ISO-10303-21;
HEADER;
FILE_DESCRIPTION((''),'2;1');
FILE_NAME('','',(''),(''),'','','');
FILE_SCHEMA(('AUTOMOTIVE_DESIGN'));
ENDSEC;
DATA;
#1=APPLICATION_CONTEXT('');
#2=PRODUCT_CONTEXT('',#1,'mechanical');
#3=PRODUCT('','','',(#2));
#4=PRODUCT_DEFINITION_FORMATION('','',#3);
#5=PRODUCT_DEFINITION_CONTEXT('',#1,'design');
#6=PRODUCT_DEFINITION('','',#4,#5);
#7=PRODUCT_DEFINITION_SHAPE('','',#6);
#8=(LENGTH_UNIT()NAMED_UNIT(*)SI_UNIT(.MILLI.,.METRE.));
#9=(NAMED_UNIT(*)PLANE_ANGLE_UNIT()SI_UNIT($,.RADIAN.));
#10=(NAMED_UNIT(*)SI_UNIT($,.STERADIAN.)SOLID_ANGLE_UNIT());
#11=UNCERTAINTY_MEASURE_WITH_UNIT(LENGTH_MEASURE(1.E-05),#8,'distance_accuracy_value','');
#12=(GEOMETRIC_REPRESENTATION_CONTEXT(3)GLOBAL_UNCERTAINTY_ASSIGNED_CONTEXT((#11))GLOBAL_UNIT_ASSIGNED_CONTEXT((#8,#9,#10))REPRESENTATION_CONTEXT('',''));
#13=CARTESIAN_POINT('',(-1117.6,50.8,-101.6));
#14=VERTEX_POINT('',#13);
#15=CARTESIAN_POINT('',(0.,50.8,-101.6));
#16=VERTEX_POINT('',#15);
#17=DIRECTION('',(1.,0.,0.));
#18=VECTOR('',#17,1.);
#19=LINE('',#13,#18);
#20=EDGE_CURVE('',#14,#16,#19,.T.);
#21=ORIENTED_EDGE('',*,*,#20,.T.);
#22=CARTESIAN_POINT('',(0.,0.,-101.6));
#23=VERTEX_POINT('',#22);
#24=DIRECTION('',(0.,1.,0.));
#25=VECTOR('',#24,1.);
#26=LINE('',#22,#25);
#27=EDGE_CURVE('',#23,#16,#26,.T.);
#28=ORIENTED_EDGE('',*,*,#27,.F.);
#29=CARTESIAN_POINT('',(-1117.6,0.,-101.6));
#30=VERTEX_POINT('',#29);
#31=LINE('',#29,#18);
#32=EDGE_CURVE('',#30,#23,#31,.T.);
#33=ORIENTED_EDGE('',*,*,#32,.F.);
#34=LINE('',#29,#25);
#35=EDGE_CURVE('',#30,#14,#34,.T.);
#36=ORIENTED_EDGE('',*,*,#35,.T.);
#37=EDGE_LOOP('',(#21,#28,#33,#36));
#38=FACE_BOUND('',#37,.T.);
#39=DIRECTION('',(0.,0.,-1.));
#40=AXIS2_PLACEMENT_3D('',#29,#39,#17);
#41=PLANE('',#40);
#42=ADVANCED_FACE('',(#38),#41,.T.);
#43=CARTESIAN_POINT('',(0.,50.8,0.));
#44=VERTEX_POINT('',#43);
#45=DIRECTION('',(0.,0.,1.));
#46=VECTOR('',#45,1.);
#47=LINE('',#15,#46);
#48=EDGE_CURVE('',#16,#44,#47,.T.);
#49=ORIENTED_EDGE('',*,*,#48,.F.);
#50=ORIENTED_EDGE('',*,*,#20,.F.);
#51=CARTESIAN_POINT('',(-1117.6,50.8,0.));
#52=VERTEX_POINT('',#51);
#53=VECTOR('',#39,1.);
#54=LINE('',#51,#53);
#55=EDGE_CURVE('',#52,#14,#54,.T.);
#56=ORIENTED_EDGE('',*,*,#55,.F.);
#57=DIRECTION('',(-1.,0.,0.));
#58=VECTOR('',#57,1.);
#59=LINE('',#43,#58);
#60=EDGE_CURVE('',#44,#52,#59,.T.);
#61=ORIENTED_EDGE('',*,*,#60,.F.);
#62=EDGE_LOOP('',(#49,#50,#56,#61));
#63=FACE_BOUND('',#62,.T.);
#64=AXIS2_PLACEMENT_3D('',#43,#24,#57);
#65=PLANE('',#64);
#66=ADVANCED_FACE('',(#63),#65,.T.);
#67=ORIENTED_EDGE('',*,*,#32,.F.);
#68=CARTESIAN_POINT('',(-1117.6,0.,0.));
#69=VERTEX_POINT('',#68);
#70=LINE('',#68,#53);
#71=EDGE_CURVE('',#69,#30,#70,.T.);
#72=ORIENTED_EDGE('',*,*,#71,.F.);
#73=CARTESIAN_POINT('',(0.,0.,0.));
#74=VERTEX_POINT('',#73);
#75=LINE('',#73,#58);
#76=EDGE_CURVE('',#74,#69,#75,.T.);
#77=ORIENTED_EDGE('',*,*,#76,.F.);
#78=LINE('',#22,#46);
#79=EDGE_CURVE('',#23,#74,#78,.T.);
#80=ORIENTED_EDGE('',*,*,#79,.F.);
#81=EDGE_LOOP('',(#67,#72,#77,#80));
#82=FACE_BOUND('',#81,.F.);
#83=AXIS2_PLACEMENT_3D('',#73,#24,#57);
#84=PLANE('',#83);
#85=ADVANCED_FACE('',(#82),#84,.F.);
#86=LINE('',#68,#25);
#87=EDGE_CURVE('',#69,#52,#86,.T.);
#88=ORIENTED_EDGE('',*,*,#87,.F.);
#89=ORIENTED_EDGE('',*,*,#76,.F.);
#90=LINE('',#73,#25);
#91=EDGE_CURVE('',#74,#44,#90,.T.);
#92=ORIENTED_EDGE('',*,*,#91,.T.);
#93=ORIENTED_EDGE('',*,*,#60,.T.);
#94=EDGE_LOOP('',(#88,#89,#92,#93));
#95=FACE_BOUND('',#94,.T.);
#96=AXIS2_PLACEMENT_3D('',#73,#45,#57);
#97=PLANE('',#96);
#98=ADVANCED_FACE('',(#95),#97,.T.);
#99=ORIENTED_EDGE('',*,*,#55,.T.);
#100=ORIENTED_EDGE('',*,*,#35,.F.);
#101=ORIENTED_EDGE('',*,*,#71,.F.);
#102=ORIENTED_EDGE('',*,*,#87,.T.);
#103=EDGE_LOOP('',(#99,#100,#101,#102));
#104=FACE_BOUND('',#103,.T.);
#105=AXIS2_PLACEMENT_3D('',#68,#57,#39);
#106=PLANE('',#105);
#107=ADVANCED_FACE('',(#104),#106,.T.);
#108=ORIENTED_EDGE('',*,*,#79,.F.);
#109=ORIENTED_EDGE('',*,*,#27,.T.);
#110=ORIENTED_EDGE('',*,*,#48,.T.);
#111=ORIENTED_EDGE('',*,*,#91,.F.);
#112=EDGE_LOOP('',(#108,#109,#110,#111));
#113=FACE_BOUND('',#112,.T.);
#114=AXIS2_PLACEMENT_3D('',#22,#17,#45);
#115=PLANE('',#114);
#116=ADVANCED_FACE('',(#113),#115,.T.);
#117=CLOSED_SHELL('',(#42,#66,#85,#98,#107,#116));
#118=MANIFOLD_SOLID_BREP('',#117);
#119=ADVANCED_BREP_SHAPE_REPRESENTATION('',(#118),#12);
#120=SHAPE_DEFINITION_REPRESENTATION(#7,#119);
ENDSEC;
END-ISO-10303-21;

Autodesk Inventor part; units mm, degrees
ref_plane "YZ Plane" through (0, 0, 0) normal (1, 0, 0) x (0, 1, 0)
ref_plane "XZ Plane" through (0, 0, 0) normal (0, 1, 0) x (-1, 0, 0)
ref_plane "XY Plane" through (0, 0, 0) normal (0, 0, 1) x (1, 0, 0)
sketch "Sketch1" plane through (0, 0, 0) normal (0, 1, 0) x (-1, 0, 0)
  line L0 (0, 0) -> (1117.6, 0)
  line L1 (1117.6, 0) -> (1117.6, -101.6)
  line L2 (1117.6, -101.6) -> (0, -101.6)
  line L3 (0, -101.6) -> (0, 0)
  dimension "d0" = 1117.6
  dimension "d1" = 101.6
extrude "Extrusion1" add sketch "Sketch1" along normal blind 50.8
properties part number "2x4x92"
